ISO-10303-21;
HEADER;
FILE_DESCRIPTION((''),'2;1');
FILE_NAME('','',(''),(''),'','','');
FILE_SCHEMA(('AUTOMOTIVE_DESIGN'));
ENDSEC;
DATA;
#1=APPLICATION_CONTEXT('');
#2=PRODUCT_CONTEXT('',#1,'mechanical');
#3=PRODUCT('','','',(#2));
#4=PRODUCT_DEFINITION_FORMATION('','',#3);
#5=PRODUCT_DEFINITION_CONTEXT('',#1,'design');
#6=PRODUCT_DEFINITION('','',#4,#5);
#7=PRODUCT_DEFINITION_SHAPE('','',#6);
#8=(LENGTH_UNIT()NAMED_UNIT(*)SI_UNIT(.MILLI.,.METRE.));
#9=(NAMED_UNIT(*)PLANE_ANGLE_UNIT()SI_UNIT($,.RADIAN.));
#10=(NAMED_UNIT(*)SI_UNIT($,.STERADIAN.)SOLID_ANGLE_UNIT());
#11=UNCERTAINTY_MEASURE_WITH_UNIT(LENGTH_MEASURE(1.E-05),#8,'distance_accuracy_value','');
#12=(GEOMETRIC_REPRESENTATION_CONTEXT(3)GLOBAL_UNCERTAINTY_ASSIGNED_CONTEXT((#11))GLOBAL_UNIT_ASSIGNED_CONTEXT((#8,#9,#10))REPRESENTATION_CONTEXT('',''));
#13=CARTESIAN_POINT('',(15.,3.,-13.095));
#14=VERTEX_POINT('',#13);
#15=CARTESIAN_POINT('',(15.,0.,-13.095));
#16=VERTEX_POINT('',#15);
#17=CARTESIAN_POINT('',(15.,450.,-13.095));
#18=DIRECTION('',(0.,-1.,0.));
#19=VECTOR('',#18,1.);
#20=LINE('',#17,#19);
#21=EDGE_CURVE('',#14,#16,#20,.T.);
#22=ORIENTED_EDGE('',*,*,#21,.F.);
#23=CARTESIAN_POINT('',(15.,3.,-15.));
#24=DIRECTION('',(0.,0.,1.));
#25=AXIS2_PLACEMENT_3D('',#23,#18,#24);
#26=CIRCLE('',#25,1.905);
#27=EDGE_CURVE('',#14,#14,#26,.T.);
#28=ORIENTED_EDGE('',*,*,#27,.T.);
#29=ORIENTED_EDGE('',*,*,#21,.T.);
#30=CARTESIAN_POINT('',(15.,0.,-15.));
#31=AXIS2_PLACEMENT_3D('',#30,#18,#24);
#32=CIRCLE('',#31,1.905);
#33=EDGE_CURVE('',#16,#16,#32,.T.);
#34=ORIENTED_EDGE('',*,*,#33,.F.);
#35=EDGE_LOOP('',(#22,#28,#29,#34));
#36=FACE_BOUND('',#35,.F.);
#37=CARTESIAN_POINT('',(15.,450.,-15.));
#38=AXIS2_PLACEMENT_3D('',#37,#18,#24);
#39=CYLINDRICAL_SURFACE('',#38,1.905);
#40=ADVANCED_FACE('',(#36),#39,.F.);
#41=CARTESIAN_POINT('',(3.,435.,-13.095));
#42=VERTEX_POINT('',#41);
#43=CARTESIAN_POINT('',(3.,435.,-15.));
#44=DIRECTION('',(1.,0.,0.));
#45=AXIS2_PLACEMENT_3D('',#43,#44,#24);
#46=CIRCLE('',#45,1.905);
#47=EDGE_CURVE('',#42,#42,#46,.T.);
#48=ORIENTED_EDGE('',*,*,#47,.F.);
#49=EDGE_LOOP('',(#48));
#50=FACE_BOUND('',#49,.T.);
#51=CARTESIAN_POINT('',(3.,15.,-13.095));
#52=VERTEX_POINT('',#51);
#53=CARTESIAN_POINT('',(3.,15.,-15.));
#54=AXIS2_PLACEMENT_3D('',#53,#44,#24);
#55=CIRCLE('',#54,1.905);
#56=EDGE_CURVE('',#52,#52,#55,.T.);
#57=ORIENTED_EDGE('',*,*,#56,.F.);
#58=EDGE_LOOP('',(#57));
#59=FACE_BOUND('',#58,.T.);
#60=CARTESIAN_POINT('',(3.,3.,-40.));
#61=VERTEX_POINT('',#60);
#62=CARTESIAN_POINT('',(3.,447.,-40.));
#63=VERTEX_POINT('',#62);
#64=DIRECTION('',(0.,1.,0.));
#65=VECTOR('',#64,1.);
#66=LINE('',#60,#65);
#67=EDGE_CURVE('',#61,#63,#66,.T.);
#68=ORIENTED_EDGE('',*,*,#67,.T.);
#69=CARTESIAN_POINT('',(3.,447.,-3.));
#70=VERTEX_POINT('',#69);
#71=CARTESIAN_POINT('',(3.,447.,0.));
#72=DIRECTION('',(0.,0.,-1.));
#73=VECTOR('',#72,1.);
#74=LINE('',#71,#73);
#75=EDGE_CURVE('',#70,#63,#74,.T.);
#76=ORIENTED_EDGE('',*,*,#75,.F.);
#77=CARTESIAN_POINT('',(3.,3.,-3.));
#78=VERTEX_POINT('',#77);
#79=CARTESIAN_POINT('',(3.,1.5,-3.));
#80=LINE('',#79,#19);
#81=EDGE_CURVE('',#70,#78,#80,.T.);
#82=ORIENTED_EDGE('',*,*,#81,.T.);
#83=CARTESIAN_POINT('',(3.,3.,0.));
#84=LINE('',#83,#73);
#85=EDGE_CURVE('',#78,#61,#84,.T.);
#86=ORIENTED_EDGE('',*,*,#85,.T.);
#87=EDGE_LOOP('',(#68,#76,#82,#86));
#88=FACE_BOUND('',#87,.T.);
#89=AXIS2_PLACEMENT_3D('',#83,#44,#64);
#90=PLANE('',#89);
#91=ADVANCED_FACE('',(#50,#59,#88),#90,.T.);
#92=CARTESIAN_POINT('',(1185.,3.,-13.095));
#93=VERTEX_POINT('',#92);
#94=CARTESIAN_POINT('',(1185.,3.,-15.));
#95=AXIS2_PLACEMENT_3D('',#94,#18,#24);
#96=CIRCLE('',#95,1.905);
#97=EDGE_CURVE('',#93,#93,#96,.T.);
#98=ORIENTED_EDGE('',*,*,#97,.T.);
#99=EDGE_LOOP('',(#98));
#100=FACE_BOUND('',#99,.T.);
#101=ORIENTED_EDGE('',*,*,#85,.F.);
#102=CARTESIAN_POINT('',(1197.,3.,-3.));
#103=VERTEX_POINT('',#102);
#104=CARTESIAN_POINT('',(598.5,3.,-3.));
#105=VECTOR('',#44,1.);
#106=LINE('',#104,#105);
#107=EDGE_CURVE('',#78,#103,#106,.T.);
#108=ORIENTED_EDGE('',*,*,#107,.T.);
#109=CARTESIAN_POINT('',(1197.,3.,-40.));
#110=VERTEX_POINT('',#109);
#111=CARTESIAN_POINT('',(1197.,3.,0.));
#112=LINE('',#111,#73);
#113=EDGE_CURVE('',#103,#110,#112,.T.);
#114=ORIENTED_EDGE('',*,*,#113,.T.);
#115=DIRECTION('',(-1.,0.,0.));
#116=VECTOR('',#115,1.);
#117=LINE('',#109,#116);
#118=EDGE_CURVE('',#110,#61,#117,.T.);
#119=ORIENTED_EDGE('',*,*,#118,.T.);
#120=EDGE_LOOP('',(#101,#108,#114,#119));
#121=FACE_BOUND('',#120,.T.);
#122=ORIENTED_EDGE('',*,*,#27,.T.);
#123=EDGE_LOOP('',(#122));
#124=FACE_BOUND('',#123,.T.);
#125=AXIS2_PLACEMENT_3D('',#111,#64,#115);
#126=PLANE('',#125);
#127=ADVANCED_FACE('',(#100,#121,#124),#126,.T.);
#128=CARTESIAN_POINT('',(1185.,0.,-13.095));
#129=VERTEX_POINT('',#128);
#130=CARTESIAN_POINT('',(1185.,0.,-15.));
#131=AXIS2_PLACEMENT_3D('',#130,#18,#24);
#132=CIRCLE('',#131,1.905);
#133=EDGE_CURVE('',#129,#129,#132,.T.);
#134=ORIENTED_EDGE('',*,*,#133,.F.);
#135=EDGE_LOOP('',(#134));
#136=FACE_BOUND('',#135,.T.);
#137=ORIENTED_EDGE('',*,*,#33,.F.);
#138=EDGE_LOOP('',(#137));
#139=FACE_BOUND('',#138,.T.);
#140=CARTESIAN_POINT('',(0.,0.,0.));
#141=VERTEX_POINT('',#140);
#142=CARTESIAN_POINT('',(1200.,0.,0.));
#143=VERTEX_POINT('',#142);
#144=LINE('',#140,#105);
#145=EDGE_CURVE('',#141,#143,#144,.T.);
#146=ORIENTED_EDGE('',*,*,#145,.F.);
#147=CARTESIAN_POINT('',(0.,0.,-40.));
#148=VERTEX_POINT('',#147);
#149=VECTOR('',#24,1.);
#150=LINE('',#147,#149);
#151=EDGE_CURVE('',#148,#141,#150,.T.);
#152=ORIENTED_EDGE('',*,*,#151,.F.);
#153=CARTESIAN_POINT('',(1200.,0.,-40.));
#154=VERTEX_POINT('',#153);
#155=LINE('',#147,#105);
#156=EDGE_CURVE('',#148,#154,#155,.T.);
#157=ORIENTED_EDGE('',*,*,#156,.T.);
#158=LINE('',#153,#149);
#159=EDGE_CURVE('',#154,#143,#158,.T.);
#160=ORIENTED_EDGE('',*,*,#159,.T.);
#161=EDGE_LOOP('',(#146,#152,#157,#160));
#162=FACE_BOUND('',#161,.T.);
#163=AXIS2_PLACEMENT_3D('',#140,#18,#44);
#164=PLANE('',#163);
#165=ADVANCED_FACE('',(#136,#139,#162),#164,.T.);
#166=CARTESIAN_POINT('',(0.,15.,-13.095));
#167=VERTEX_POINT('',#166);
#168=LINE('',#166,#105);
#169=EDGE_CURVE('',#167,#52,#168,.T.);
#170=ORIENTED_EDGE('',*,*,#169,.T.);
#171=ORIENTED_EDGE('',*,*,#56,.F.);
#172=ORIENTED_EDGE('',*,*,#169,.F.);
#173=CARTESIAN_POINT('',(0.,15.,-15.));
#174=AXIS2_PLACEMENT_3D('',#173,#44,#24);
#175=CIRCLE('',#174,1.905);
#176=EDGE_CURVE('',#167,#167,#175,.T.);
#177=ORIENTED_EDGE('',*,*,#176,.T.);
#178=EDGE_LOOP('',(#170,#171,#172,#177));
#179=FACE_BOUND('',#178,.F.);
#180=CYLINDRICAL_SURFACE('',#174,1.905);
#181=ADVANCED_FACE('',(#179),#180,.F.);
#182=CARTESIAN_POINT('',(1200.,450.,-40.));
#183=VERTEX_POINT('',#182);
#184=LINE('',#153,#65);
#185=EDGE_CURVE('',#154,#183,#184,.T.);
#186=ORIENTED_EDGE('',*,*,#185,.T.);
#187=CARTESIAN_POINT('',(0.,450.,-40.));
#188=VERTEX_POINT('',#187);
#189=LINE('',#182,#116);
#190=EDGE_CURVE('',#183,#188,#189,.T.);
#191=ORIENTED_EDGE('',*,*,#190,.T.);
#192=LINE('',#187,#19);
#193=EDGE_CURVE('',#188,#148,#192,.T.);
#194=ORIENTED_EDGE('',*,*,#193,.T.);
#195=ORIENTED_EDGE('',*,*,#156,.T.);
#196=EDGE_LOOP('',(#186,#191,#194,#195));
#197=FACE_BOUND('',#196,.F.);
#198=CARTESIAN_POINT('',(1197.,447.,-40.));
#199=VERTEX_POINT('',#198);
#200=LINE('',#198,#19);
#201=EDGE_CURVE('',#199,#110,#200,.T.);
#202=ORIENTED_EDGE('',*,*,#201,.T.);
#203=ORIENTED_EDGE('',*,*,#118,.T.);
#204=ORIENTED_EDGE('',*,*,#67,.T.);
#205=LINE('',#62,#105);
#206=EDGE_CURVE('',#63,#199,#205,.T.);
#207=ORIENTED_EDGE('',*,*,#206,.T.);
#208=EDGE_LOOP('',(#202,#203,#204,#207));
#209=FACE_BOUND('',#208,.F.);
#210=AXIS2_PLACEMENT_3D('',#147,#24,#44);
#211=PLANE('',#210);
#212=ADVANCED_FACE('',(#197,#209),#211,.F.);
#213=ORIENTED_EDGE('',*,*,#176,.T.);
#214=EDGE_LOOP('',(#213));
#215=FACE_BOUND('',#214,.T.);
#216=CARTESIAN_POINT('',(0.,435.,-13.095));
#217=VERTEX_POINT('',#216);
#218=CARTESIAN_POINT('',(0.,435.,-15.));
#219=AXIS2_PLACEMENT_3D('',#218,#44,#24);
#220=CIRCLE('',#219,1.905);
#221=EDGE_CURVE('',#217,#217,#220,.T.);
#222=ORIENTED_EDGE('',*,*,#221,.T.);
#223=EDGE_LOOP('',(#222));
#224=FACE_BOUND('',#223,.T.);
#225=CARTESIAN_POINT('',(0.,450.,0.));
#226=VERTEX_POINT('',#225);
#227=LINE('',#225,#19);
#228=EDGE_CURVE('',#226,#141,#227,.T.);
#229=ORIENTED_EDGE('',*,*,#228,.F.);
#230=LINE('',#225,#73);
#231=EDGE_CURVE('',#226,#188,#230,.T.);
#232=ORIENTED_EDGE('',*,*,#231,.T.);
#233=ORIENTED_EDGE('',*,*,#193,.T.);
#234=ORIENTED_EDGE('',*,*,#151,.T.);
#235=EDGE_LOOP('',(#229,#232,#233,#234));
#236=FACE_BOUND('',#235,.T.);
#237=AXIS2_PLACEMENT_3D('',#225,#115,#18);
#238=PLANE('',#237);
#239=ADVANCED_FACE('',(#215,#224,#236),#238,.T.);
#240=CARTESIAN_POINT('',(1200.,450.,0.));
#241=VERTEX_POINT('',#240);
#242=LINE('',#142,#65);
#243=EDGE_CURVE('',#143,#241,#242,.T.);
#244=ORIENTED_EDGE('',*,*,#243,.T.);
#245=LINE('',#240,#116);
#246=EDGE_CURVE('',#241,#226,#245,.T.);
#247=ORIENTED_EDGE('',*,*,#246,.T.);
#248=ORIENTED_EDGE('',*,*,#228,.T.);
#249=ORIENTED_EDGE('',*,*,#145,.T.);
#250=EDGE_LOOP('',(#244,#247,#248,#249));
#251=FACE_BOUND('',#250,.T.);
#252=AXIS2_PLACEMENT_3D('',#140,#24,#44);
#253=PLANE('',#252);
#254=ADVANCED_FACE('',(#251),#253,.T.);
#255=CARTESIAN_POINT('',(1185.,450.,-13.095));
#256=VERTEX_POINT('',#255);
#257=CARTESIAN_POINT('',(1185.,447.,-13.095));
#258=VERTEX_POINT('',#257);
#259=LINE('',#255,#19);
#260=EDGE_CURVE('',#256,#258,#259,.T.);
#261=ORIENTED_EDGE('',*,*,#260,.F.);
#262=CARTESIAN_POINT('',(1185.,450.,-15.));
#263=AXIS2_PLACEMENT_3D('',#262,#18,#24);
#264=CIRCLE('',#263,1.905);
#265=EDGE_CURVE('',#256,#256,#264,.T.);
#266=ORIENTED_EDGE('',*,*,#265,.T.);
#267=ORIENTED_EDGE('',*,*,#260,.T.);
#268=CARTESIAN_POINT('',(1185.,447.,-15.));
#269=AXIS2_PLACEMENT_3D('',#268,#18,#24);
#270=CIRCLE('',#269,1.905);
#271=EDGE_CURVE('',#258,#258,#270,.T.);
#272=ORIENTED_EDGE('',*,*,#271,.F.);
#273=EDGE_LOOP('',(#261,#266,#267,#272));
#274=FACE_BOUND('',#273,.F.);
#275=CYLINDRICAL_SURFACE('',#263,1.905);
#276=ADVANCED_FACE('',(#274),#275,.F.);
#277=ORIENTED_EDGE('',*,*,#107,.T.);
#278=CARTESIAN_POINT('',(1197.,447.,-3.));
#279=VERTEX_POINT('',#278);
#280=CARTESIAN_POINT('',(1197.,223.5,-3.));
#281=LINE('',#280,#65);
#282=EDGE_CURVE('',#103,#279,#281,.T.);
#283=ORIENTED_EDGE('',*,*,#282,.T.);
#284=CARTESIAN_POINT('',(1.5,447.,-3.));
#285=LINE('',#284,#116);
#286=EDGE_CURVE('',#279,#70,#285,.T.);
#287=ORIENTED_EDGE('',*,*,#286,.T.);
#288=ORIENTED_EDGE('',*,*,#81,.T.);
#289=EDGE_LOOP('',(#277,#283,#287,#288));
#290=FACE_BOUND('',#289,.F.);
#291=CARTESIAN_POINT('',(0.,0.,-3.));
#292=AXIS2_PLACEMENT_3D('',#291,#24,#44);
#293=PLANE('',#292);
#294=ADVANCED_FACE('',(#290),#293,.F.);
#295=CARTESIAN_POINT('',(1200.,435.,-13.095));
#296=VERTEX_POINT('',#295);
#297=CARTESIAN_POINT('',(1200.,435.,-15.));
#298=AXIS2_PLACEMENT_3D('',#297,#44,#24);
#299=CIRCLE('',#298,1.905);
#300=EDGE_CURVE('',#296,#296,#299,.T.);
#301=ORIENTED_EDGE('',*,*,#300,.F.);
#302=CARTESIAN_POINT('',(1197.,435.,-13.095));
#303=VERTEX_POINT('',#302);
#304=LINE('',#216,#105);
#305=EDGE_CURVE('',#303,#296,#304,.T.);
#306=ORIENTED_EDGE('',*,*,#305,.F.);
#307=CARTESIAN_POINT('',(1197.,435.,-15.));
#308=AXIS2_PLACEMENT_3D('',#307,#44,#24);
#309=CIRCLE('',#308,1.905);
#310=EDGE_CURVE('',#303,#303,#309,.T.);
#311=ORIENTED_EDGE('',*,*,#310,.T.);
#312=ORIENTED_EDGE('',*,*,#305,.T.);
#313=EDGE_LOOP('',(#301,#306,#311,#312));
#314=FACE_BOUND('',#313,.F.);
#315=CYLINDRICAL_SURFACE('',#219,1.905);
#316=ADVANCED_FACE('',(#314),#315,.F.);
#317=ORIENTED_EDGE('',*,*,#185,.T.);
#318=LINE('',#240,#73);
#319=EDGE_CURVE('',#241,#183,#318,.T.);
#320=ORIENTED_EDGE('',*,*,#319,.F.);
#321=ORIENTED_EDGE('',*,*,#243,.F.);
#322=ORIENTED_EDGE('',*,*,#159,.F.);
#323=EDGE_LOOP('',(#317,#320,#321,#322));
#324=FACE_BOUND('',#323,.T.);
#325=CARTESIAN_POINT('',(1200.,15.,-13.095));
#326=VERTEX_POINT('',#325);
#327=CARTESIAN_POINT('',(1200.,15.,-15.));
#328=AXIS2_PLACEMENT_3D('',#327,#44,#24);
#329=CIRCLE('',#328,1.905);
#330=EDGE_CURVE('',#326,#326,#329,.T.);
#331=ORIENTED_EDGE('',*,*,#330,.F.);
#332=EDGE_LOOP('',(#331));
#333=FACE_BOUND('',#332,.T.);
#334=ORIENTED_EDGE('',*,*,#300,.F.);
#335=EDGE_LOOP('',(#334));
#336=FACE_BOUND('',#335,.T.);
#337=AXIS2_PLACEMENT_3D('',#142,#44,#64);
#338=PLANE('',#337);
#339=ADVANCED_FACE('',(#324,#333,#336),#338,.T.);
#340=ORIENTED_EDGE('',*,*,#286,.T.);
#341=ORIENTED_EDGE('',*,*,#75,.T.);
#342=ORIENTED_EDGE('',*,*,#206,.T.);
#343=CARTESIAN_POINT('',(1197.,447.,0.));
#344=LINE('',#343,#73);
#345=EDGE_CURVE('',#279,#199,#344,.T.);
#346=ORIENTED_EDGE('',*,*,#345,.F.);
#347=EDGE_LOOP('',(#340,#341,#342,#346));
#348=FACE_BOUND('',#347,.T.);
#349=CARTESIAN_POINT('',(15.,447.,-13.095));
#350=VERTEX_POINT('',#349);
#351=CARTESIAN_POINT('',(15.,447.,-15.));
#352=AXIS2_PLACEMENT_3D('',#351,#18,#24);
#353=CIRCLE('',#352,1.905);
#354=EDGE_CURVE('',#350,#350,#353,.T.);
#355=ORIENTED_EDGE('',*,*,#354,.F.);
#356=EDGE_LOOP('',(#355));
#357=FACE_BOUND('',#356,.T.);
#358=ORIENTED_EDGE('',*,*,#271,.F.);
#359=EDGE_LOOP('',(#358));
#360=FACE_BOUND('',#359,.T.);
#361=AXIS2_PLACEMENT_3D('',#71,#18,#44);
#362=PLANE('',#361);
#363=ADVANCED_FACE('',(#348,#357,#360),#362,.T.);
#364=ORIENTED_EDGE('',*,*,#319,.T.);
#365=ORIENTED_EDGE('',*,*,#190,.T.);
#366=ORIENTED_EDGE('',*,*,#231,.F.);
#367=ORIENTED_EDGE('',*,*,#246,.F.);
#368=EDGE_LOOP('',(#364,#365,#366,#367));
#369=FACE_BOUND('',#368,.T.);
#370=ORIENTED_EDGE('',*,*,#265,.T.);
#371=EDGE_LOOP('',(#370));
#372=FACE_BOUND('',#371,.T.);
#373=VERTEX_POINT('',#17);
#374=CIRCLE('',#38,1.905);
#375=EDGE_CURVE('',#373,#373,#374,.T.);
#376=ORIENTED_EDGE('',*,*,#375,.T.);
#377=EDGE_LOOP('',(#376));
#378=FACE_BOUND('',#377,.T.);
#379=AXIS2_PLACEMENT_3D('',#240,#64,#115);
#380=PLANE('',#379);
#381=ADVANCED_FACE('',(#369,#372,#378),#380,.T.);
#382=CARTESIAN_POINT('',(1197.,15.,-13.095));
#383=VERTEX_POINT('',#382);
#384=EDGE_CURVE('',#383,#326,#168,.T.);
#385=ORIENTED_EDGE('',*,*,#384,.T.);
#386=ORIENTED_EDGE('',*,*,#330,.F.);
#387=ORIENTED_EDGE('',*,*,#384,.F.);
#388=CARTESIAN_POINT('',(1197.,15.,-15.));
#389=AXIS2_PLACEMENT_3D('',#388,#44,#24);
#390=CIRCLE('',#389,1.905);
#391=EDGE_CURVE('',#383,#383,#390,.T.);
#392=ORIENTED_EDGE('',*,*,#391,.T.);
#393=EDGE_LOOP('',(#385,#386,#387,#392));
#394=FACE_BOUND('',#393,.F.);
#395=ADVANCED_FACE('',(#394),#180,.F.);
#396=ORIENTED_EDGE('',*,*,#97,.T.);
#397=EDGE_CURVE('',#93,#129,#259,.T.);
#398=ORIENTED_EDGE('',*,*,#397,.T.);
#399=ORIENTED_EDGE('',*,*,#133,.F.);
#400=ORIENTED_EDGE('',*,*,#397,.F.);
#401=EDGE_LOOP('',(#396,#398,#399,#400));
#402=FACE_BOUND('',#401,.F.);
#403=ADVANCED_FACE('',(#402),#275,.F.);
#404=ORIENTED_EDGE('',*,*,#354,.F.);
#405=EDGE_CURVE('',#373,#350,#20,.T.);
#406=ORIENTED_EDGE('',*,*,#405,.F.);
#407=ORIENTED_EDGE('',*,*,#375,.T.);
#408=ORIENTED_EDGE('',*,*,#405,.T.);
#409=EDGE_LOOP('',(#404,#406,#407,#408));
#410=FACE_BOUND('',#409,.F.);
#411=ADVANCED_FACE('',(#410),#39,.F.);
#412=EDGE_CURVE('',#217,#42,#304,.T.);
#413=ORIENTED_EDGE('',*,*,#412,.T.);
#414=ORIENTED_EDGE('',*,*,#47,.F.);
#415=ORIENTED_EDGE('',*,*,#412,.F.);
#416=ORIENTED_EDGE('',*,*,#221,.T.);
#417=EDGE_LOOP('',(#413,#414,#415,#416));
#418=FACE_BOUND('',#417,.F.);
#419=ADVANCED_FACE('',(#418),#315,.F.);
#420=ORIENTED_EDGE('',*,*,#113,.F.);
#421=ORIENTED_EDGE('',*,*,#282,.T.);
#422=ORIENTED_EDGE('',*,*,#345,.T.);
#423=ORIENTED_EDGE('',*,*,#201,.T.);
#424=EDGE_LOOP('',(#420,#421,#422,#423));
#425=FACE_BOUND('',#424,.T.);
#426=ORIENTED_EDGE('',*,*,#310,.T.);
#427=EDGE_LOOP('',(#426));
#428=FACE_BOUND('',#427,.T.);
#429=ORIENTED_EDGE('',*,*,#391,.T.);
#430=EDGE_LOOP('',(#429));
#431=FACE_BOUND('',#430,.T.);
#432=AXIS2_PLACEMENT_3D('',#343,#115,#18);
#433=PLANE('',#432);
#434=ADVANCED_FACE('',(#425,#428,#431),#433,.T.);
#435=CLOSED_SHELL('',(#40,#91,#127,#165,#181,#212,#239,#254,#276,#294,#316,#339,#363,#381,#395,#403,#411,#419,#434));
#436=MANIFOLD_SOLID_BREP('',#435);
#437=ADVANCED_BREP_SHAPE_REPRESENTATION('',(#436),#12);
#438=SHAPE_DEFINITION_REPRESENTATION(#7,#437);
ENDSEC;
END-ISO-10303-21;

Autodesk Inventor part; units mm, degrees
ref_plane "YZ Plane" through (0, 0, 0) normal (1, 0, 0) x (0, 1, 0)
ref_plane "XZ Plane" through (0, 0, 0) normal (0, 1, 0) x (-1, 0, 0)
ref_plane "XY Plane" through (0, 0, 0) normal (0, 0, 1) x (1, 0, 0)
sketch "Sketch1" plane through (0, 0, 0) normal (0, 0, 1) x (1, 0, 0)
  line L0 (0, 0) -> (1200, 0)
  line L1 (1200, 0) -> (1200, 450)
  line L2 (1200, 450) -> (0, 450)
  line L3 (0, 450) -> (0, 0)
  line L4 (3, 447) -> (1197, 447)
  line L5 (1197, 447) -> (1197, 3)
  line L6 (1197, 3) -> (3, 3)
  line L7 (3, 3) -> (3, 447)
  dimension "d8" = 1200
  dimension "d9" = 450
  dimension "d10" = 3
extrude "Extrusion2" add sketch "Sketch1" against normal blind 40
extrude "Extrusion3" add sketch "Sketch1" against normal blind 3 contours L3 L2 L1 L0 | L4 L5 L6 L7
sketch "Sketch2" plane through (0, 450, -40) normal (0, 1, 0) x (1, 0, 0)
  line L0 (0, -40) -> (0, 0) projected
  line L1 (1200, -40) -> (0, -40) projected
  line L2 (1200, -40) -> (1200, 0) projected
  point P0 (15, -25)
  point P1 (1185, -25)
  dimension "d22" = 15
  dimension "d23" = 15
  dimension "d24" = 15
  dimension "d25" = 15
hole "Hole1" at (15, 450, -15) at (1185, 450, -15) direction (0, -1, 0) diameter 3.81 end through all
sketch "Sketch3" plane through (0, 0, -40) normal (-1, 0, 0) x (0, 0, 1)
  line L0 (40, 450) -> (40, 0) projected
  line L1 (40, 0) -> (0, 0) projected
  line L2 (40, 450) -> (0, 450) projected
  point P0 (25, 15)
  point P1 (25, 435)
  dimension "d26" = 15
  dimension "d27" = 15
  dimension "d28" = 15
  dimension "d29" = 15
hole "Hole2" at (0, 15, -15) at (0, 435, -15) direction (1, 0, 0) diameter 3.81 end through all
equation "\"d8\" = Width"
equation "\"d9\" = Depth"
equation "\"d10\" = Thickness"
equation "\"d11\" = Height"
equation "\"d13\" = Thickness"
equation "\"d22\" = HoleDistance"
equation "\"d23\" = HoleDistance"
equation "\"d24\" = HoleDistance"
equation "\"d25\" = HoleDistance"
equation "\"d26\" = HoleDistance"
equation "\"d27\" = HoleDistance"
equation "\"d28\" = HoleDistance"
equation "\"d29\" = HoleDistance"
equation "\"Width\" = 1200"
equation "\"Thickness\" = 3"
equation "\"Depth\" = 450"
equation "\"Height\" = 40"
equation "\"HoleDistance\" = 15"
properties part number "shelf120"
